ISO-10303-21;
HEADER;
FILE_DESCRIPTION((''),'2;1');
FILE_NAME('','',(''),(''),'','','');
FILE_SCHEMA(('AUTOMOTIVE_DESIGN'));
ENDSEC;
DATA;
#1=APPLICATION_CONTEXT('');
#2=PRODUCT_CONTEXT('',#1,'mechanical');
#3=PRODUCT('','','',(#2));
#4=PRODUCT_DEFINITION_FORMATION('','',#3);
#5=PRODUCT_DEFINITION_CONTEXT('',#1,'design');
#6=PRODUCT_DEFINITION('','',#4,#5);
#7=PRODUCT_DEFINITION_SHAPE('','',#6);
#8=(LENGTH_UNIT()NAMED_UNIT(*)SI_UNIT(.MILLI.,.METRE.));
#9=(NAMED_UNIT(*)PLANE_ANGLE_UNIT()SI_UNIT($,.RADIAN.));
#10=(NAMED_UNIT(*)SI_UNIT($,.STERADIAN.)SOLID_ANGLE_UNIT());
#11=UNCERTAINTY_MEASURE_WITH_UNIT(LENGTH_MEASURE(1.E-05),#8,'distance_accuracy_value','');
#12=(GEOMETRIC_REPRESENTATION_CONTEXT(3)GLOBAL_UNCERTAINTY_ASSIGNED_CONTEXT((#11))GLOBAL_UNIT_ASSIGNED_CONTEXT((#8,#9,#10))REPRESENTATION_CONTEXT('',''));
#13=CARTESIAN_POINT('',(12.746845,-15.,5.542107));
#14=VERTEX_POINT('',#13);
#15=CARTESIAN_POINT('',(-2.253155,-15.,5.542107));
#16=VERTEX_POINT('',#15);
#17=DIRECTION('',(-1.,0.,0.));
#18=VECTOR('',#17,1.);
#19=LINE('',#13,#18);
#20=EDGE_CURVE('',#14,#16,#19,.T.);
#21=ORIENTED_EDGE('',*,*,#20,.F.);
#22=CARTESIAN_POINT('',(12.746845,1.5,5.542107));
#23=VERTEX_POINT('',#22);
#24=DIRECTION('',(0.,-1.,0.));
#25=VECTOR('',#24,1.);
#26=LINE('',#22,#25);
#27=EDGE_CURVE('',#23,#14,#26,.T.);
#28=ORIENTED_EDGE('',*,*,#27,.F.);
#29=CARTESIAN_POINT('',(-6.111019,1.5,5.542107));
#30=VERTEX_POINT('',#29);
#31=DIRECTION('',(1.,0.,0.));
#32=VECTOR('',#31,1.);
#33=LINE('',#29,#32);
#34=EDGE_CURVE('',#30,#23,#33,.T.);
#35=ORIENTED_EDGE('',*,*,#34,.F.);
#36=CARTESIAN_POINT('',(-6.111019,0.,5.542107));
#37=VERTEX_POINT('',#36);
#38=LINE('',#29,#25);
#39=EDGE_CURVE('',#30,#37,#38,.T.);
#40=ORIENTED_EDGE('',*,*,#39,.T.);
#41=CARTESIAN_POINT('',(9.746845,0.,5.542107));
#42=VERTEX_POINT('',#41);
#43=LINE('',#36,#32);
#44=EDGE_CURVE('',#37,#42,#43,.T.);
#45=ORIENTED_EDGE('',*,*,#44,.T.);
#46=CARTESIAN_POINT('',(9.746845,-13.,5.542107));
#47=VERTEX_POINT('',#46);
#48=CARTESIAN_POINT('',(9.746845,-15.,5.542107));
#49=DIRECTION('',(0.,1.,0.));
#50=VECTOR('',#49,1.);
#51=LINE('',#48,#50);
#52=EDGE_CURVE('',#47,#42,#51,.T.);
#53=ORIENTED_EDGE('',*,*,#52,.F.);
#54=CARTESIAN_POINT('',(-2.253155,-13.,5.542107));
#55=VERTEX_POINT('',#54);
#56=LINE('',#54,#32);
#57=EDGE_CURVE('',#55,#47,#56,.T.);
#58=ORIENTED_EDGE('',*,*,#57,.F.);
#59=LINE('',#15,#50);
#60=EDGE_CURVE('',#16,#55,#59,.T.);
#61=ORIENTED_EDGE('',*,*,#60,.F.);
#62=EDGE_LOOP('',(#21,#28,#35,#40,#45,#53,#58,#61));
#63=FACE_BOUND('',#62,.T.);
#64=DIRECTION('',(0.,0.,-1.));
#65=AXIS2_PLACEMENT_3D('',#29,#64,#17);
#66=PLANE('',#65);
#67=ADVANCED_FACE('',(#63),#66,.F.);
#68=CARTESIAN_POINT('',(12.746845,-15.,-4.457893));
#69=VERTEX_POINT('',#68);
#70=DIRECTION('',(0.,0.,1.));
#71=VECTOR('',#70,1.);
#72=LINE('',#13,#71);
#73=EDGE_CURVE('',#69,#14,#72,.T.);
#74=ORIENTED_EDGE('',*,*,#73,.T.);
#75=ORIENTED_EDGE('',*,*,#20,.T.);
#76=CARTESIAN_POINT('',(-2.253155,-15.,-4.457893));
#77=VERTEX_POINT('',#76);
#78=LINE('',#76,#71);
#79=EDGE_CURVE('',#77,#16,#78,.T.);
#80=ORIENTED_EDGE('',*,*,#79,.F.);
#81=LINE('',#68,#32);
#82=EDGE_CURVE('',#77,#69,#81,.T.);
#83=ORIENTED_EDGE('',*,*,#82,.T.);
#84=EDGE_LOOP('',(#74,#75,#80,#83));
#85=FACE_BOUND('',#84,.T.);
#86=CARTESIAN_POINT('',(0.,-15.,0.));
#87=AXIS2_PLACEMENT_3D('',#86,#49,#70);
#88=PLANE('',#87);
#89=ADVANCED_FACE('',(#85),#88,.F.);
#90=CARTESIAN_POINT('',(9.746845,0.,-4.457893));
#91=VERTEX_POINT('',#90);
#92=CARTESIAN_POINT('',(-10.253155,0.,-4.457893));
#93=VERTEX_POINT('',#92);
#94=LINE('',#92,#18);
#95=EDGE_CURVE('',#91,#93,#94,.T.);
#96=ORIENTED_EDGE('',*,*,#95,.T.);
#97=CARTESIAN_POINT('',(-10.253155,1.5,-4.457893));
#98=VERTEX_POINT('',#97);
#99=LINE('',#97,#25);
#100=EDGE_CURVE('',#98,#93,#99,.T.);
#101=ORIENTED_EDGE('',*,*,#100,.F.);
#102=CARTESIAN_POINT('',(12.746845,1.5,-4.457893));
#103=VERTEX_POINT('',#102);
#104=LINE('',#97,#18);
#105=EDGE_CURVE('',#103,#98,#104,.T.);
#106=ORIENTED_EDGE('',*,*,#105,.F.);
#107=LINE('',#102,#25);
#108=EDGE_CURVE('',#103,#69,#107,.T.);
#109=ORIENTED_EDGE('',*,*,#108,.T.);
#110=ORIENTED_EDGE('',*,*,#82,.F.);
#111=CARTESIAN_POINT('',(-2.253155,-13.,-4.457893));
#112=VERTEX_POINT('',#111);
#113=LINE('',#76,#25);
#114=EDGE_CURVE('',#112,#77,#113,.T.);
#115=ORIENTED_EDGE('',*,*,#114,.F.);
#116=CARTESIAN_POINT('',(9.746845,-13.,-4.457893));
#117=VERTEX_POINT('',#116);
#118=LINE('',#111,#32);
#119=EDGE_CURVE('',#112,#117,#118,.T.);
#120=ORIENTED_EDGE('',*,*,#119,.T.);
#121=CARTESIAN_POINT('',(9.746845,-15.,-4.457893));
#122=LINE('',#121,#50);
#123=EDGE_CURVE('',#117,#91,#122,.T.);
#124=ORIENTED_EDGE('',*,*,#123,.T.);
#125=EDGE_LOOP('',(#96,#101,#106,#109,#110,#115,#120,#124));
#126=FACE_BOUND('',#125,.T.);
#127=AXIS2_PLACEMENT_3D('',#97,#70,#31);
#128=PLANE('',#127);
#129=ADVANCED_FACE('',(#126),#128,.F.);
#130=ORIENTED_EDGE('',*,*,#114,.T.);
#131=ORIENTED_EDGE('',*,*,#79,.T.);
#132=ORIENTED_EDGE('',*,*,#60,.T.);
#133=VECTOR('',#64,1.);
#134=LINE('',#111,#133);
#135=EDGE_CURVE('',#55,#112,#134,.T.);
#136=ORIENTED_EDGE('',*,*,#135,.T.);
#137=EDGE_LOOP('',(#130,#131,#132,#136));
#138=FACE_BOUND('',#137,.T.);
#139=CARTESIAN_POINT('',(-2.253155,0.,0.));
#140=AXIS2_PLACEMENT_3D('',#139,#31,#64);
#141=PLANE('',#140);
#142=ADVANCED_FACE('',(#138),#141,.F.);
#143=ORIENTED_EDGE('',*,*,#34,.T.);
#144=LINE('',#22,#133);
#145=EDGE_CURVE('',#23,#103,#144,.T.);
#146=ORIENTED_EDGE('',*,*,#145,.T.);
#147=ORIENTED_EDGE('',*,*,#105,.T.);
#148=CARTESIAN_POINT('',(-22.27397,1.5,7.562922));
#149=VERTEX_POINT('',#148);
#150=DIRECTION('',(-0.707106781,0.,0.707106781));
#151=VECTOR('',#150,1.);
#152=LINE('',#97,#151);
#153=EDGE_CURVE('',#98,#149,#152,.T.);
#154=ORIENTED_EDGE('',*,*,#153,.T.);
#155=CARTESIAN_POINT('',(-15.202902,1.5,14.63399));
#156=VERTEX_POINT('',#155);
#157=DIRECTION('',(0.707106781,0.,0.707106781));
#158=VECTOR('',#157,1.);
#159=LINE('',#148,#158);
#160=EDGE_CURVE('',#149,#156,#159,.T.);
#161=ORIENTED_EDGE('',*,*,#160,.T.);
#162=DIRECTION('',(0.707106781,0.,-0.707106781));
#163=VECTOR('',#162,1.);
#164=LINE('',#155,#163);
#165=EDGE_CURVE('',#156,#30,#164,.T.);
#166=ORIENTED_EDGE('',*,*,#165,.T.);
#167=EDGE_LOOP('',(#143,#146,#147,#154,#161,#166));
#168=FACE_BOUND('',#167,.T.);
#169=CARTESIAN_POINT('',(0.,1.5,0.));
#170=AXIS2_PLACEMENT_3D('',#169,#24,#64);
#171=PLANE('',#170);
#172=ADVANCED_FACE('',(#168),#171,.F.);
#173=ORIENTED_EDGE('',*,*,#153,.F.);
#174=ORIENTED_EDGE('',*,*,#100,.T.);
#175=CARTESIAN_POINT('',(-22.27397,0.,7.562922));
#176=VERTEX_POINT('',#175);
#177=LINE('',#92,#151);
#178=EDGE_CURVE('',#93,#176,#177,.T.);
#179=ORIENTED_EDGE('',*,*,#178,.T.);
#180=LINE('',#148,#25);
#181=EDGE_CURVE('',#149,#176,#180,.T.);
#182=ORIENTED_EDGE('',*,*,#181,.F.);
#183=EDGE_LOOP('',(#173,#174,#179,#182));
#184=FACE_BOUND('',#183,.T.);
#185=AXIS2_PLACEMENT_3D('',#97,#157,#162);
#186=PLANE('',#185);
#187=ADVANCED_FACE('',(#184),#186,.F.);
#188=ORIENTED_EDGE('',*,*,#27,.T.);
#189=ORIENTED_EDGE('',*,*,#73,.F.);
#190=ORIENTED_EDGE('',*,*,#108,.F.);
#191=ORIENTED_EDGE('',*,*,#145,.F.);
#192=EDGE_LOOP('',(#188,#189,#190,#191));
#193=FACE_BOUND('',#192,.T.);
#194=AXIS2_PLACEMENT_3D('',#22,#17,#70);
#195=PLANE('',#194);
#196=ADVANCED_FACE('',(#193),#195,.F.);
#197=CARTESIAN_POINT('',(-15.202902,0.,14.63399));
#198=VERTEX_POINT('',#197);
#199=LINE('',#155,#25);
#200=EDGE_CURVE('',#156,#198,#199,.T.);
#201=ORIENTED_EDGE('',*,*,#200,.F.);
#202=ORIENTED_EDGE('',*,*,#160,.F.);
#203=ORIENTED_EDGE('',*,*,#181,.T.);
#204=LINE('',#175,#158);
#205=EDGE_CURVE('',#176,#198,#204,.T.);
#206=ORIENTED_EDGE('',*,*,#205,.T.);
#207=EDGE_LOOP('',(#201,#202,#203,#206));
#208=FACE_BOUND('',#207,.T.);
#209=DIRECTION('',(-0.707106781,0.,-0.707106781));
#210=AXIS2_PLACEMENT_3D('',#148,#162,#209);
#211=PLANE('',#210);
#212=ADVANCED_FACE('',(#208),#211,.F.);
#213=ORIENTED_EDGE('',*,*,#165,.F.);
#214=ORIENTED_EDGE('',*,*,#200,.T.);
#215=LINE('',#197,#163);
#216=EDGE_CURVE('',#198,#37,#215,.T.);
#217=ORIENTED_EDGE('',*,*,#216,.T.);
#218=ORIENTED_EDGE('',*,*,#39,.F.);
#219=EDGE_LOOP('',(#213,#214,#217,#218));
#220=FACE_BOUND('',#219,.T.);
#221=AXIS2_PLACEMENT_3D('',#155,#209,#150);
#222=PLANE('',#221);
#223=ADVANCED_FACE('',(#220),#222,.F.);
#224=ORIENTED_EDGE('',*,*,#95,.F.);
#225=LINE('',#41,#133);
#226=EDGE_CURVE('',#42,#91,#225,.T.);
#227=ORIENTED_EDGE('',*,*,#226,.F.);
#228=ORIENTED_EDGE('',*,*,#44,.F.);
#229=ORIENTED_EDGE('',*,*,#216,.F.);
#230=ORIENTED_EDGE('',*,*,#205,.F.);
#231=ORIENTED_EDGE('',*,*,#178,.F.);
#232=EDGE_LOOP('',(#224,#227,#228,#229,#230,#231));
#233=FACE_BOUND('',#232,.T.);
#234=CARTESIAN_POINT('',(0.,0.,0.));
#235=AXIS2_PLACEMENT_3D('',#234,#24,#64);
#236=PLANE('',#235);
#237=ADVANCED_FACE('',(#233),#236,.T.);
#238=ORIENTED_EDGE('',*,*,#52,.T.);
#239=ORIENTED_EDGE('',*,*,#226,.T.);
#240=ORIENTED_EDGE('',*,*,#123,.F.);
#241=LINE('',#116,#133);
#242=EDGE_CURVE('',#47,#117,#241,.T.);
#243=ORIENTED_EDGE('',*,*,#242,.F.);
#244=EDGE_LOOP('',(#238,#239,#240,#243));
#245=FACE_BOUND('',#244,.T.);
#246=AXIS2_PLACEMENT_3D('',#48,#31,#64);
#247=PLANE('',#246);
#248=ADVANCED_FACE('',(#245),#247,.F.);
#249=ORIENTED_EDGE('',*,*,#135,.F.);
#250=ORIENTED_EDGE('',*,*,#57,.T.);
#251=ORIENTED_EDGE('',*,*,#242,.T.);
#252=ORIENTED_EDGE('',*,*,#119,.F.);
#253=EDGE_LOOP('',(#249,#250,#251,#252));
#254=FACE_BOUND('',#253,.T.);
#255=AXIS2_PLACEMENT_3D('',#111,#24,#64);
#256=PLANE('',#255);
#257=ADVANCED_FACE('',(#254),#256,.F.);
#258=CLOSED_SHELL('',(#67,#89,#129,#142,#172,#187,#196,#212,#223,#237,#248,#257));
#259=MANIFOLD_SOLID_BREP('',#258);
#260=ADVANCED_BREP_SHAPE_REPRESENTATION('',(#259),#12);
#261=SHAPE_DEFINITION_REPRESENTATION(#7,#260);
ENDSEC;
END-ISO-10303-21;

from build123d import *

# Parameters (mm, degrees)
BOSS_EXTRUDE1_DEPTH = 1.5
SKETCH2_W           = 3
SKETCH2_H           = 10
BOSS_EXTRUDE2_DEPTH = 15
SKETCH3_W           = 10
SKETCH3_H           = 2
BOSS_EXTRUDE3_DEPTH = 12


with BuildPart() as part:
    # Sketch1 → Boss-Extrude1 (new body)
    with BuildSketch(Plane(origin=(0, 0, 0), x_dir=(1, 0, 0), z_dir=(0, 1, 0))):
        Polygon((-10.25315493, 4.457893448), (-22.27397021, -7.562921833), (-15.202902398, -14.633989644), (-6.111019306, -5.542106552), (12.74684507, -5.542106552), (12.74684507, 4.457893448), align=None)
    extrude(amount=BOSS_EXTRUDE1_DEPTH)

    # Sketch2 → Boss-Extrude2 (add)
    with BuildSketch(Plane.XZ):
        with Locations((11.24684507, 0.542106552)):
            Rectangle(SKETCH2_W, SKETCH2_H)
    extrude(amount=BOSS_EXTRUDE2_DEPTH)

    # Sketch3 → Boss-Extrude3 (add)
    with BuildSketch(Plane.ZY.offset(-9.74684507)):
        with Locations((0.542106552, -14)):
            Rectangle(SKETCH3_W, SKETCH3_H)
    extrude(amount=BOSS_EXTRUDE3_DEPTH)


solid = part.part
